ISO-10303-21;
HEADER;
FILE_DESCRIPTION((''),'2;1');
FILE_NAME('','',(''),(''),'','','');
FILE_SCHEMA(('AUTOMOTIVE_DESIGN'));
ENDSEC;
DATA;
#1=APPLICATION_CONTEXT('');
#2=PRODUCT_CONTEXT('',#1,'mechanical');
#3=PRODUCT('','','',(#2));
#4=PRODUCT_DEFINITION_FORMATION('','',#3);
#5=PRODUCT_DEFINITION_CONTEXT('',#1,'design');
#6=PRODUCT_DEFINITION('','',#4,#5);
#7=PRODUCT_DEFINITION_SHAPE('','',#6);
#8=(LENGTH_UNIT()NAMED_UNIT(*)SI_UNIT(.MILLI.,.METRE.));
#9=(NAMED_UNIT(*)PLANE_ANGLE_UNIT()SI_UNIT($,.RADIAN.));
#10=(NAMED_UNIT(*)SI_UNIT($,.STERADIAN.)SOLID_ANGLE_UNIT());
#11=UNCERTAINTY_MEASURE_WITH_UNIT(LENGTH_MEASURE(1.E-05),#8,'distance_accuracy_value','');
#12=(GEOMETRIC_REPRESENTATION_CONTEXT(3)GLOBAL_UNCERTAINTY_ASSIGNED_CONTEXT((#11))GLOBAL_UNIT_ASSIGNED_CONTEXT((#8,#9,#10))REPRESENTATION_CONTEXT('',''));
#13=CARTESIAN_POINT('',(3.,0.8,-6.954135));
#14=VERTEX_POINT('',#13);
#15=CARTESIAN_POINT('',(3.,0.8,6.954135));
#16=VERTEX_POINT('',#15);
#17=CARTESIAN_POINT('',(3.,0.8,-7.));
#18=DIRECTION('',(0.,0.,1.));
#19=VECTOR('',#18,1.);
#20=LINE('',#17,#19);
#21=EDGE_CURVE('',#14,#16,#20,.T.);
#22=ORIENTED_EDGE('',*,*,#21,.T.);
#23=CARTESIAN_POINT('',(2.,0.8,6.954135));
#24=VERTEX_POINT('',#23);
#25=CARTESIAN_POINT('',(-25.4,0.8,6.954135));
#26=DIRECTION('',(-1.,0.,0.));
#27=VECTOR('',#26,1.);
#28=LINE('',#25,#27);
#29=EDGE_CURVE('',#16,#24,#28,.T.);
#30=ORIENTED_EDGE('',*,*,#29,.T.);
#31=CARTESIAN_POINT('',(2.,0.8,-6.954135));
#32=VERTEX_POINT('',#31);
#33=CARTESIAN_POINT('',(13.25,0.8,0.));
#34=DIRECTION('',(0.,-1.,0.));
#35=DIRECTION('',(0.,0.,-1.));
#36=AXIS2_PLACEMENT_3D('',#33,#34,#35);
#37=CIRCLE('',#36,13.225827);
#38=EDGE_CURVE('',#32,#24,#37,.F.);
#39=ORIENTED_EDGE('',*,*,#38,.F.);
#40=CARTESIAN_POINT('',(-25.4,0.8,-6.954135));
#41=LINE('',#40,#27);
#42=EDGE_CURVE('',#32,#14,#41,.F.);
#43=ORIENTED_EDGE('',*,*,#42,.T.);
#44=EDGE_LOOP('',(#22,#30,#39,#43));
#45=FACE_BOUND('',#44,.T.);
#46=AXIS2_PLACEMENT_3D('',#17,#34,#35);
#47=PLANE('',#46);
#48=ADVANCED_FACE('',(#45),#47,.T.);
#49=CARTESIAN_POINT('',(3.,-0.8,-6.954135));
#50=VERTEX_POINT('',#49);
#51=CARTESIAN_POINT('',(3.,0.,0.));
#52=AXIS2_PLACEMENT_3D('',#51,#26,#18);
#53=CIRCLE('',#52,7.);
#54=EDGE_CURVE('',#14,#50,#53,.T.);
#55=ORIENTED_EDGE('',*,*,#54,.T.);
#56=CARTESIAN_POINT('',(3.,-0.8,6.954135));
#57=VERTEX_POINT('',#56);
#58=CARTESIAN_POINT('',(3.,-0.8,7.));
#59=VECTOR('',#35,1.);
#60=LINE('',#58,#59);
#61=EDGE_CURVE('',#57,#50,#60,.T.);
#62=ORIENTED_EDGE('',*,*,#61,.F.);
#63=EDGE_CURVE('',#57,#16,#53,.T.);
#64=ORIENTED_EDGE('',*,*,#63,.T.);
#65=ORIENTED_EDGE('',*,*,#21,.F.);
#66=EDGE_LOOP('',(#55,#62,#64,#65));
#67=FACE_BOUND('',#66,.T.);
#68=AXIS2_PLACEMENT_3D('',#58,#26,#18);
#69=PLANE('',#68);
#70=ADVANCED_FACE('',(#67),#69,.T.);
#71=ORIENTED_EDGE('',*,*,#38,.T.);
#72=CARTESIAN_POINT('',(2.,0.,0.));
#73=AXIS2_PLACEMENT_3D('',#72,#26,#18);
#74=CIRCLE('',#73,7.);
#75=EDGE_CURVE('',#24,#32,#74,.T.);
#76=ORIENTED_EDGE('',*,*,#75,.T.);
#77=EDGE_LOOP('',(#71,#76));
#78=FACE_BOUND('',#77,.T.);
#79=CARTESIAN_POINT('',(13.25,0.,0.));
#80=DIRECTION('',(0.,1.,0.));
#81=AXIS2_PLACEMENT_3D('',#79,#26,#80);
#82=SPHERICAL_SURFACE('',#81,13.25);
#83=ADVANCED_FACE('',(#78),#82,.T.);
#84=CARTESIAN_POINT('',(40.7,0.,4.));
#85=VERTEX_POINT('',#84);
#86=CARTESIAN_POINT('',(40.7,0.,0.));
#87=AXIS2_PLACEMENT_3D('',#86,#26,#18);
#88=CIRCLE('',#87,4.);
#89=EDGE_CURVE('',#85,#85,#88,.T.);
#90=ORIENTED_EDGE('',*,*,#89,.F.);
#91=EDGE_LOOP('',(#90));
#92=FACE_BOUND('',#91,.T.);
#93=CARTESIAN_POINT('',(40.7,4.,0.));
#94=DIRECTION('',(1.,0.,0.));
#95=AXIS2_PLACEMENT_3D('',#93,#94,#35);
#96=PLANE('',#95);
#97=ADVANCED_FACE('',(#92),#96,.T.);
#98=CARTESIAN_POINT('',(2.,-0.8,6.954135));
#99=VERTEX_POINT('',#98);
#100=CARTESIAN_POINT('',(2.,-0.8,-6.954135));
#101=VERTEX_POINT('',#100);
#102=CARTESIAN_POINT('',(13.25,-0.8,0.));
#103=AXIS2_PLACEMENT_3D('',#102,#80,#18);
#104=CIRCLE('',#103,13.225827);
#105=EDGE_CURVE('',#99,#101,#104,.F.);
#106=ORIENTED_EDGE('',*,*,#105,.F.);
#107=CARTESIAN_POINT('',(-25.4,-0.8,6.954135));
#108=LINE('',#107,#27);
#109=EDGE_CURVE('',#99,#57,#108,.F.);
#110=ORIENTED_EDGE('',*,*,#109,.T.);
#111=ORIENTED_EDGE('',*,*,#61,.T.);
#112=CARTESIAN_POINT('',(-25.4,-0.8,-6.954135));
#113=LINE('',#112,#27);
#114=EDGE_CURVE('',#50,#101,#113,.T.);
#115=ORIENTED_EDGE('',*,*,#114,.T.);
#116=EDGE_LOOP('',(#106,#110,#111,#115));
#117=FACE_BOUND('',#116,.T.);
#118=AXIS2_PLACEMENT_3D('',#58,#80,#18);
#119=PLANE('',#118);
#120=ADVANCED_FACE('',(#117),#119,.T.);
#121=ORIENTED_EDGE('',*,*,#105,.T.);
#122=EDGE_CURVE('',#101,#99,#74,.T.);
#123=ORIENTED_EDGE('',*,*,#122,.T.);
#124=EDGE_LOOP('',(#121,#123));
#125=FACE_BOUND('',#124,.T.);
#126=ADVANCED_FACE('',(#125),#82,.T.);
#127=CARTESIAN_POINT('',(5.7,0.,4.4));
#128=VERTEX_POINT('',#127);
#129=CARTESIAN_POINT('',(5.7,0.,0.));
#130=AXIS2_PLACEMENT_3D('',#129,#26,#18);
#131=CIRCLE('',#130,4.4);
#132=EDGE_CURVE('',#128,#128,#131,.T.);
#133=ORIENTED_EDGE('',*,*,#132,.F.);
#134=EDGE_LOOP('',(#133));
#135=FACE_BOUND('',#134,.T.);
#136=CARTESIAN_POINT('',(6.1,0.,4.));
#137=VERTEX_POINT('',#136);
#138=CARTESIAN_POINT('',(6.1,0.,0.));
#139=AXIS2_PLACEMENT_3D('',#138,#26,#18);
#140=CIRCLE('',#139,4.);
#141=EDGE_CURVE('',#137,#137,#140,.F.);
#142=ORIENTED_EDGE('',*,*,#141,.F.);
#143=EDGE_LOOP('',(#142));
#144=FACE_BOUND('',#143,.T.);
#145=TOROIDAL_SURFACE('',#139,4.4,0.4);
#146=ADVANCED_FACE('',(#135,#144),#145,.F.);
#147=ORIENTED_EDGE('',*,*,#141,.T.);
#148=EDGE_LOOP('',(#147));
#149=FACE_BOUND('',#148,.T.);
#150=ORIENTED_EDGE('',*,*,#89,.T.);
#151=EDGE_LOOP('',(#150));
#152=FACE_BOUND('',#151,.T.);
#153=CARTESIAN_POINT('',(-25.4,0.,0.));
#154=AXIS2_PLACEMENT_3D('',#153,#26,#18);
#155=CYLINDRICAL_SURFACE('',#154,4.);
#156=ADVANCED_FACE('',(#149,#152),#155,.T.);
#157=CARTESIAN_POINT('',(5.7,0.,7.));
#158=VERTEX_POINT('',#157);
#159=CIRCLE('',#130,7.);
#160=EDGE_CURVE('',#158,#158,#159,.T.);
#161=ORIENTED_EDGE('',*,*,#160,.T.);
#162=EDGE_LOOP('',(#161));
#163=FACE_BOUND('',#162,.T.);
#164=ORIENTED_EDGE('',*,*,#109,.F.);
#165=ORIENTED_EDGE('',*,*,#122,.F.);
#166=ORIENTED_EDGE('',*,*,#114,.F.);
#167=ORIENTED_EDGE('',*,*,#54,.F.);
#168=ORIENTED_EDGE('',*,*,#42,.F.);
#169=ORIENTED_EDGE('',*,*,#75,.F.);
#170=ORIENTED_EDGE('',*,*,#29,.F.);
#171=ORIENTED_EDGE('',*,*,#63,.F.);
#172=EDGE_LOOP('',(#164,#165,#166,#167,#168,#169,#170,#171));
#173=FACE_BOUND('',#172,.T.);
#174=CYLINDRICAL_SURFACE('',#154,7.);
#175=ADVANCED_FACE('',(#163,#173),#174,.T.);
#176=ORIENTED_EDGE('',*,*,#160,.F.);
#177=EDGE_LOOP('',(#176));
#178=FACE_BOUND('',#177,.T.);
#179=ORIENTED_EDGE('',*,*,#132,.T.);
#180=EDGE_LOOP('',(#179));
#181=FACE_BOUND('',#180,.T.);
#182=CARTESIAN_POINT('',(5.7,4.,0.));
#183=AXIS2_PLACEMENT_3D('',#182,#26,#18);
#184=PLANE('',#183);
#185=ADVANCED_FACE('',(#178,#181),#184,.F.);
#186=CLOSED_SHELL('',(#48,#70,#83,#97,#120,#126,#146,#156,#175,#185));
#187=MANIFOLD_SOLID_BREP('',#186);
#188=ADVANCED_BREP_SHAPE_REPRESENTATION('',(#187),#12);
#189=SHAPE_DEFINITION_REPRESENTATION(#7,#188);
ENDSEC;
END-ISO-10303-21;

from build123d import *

# Parameters (mm, degrees)
FILLET1_R  = 0.4
SKETCH2_W  = 14
SKETCH2_H  = 1.6
SLOT_DEPTH = 3


with BuildPart() as part:
    # BodySke → Base-Revolve (revolve)
    with BuildSketch(Plane.XY, mode=Mode.PRIVATE) as base_revolve_sk:
        with BuildLine():
            Line((5.7, 4), (5.7, 7))
            Line((5.7, 7), (2, 7))
            ThreePointArc((2, 7), (0.509807694, 3.640054945), (0, 0))
            Line((0, 0), (40.7, 0))
            Line((40.7, 0), (40.7, 4))
            Line((40.7, 4), (5.7, 4))
        make_face()
    revolve(base_revolve_sk.sketch.rotate(Axis((-25.4, 0, 0), (1, 0, 0)), 90), axis=Axis((-25.4, 0, 0), (1, 0, 0)))

    # Fillet1
    fillet1_edges = [part.edges().sort_by_distance(p)[0] for p in [
        (5.7, 0, -4),
    ]]
    fillet(fillet1_edges, radius=FILLET1_R)

    # Sketch2 → Slot (cut)
    with BuildSketch(Plane(origin=(0, 0, 0), x_dir=(0, 0, -1), z_dir=(1, 0, 0))):
        Rectangle(SKETCH2_W, SKETCH2_H)
    extrude(amount=SLOT_DEPTH, mode=Mode.SUBTRACT)


solid = part.part
